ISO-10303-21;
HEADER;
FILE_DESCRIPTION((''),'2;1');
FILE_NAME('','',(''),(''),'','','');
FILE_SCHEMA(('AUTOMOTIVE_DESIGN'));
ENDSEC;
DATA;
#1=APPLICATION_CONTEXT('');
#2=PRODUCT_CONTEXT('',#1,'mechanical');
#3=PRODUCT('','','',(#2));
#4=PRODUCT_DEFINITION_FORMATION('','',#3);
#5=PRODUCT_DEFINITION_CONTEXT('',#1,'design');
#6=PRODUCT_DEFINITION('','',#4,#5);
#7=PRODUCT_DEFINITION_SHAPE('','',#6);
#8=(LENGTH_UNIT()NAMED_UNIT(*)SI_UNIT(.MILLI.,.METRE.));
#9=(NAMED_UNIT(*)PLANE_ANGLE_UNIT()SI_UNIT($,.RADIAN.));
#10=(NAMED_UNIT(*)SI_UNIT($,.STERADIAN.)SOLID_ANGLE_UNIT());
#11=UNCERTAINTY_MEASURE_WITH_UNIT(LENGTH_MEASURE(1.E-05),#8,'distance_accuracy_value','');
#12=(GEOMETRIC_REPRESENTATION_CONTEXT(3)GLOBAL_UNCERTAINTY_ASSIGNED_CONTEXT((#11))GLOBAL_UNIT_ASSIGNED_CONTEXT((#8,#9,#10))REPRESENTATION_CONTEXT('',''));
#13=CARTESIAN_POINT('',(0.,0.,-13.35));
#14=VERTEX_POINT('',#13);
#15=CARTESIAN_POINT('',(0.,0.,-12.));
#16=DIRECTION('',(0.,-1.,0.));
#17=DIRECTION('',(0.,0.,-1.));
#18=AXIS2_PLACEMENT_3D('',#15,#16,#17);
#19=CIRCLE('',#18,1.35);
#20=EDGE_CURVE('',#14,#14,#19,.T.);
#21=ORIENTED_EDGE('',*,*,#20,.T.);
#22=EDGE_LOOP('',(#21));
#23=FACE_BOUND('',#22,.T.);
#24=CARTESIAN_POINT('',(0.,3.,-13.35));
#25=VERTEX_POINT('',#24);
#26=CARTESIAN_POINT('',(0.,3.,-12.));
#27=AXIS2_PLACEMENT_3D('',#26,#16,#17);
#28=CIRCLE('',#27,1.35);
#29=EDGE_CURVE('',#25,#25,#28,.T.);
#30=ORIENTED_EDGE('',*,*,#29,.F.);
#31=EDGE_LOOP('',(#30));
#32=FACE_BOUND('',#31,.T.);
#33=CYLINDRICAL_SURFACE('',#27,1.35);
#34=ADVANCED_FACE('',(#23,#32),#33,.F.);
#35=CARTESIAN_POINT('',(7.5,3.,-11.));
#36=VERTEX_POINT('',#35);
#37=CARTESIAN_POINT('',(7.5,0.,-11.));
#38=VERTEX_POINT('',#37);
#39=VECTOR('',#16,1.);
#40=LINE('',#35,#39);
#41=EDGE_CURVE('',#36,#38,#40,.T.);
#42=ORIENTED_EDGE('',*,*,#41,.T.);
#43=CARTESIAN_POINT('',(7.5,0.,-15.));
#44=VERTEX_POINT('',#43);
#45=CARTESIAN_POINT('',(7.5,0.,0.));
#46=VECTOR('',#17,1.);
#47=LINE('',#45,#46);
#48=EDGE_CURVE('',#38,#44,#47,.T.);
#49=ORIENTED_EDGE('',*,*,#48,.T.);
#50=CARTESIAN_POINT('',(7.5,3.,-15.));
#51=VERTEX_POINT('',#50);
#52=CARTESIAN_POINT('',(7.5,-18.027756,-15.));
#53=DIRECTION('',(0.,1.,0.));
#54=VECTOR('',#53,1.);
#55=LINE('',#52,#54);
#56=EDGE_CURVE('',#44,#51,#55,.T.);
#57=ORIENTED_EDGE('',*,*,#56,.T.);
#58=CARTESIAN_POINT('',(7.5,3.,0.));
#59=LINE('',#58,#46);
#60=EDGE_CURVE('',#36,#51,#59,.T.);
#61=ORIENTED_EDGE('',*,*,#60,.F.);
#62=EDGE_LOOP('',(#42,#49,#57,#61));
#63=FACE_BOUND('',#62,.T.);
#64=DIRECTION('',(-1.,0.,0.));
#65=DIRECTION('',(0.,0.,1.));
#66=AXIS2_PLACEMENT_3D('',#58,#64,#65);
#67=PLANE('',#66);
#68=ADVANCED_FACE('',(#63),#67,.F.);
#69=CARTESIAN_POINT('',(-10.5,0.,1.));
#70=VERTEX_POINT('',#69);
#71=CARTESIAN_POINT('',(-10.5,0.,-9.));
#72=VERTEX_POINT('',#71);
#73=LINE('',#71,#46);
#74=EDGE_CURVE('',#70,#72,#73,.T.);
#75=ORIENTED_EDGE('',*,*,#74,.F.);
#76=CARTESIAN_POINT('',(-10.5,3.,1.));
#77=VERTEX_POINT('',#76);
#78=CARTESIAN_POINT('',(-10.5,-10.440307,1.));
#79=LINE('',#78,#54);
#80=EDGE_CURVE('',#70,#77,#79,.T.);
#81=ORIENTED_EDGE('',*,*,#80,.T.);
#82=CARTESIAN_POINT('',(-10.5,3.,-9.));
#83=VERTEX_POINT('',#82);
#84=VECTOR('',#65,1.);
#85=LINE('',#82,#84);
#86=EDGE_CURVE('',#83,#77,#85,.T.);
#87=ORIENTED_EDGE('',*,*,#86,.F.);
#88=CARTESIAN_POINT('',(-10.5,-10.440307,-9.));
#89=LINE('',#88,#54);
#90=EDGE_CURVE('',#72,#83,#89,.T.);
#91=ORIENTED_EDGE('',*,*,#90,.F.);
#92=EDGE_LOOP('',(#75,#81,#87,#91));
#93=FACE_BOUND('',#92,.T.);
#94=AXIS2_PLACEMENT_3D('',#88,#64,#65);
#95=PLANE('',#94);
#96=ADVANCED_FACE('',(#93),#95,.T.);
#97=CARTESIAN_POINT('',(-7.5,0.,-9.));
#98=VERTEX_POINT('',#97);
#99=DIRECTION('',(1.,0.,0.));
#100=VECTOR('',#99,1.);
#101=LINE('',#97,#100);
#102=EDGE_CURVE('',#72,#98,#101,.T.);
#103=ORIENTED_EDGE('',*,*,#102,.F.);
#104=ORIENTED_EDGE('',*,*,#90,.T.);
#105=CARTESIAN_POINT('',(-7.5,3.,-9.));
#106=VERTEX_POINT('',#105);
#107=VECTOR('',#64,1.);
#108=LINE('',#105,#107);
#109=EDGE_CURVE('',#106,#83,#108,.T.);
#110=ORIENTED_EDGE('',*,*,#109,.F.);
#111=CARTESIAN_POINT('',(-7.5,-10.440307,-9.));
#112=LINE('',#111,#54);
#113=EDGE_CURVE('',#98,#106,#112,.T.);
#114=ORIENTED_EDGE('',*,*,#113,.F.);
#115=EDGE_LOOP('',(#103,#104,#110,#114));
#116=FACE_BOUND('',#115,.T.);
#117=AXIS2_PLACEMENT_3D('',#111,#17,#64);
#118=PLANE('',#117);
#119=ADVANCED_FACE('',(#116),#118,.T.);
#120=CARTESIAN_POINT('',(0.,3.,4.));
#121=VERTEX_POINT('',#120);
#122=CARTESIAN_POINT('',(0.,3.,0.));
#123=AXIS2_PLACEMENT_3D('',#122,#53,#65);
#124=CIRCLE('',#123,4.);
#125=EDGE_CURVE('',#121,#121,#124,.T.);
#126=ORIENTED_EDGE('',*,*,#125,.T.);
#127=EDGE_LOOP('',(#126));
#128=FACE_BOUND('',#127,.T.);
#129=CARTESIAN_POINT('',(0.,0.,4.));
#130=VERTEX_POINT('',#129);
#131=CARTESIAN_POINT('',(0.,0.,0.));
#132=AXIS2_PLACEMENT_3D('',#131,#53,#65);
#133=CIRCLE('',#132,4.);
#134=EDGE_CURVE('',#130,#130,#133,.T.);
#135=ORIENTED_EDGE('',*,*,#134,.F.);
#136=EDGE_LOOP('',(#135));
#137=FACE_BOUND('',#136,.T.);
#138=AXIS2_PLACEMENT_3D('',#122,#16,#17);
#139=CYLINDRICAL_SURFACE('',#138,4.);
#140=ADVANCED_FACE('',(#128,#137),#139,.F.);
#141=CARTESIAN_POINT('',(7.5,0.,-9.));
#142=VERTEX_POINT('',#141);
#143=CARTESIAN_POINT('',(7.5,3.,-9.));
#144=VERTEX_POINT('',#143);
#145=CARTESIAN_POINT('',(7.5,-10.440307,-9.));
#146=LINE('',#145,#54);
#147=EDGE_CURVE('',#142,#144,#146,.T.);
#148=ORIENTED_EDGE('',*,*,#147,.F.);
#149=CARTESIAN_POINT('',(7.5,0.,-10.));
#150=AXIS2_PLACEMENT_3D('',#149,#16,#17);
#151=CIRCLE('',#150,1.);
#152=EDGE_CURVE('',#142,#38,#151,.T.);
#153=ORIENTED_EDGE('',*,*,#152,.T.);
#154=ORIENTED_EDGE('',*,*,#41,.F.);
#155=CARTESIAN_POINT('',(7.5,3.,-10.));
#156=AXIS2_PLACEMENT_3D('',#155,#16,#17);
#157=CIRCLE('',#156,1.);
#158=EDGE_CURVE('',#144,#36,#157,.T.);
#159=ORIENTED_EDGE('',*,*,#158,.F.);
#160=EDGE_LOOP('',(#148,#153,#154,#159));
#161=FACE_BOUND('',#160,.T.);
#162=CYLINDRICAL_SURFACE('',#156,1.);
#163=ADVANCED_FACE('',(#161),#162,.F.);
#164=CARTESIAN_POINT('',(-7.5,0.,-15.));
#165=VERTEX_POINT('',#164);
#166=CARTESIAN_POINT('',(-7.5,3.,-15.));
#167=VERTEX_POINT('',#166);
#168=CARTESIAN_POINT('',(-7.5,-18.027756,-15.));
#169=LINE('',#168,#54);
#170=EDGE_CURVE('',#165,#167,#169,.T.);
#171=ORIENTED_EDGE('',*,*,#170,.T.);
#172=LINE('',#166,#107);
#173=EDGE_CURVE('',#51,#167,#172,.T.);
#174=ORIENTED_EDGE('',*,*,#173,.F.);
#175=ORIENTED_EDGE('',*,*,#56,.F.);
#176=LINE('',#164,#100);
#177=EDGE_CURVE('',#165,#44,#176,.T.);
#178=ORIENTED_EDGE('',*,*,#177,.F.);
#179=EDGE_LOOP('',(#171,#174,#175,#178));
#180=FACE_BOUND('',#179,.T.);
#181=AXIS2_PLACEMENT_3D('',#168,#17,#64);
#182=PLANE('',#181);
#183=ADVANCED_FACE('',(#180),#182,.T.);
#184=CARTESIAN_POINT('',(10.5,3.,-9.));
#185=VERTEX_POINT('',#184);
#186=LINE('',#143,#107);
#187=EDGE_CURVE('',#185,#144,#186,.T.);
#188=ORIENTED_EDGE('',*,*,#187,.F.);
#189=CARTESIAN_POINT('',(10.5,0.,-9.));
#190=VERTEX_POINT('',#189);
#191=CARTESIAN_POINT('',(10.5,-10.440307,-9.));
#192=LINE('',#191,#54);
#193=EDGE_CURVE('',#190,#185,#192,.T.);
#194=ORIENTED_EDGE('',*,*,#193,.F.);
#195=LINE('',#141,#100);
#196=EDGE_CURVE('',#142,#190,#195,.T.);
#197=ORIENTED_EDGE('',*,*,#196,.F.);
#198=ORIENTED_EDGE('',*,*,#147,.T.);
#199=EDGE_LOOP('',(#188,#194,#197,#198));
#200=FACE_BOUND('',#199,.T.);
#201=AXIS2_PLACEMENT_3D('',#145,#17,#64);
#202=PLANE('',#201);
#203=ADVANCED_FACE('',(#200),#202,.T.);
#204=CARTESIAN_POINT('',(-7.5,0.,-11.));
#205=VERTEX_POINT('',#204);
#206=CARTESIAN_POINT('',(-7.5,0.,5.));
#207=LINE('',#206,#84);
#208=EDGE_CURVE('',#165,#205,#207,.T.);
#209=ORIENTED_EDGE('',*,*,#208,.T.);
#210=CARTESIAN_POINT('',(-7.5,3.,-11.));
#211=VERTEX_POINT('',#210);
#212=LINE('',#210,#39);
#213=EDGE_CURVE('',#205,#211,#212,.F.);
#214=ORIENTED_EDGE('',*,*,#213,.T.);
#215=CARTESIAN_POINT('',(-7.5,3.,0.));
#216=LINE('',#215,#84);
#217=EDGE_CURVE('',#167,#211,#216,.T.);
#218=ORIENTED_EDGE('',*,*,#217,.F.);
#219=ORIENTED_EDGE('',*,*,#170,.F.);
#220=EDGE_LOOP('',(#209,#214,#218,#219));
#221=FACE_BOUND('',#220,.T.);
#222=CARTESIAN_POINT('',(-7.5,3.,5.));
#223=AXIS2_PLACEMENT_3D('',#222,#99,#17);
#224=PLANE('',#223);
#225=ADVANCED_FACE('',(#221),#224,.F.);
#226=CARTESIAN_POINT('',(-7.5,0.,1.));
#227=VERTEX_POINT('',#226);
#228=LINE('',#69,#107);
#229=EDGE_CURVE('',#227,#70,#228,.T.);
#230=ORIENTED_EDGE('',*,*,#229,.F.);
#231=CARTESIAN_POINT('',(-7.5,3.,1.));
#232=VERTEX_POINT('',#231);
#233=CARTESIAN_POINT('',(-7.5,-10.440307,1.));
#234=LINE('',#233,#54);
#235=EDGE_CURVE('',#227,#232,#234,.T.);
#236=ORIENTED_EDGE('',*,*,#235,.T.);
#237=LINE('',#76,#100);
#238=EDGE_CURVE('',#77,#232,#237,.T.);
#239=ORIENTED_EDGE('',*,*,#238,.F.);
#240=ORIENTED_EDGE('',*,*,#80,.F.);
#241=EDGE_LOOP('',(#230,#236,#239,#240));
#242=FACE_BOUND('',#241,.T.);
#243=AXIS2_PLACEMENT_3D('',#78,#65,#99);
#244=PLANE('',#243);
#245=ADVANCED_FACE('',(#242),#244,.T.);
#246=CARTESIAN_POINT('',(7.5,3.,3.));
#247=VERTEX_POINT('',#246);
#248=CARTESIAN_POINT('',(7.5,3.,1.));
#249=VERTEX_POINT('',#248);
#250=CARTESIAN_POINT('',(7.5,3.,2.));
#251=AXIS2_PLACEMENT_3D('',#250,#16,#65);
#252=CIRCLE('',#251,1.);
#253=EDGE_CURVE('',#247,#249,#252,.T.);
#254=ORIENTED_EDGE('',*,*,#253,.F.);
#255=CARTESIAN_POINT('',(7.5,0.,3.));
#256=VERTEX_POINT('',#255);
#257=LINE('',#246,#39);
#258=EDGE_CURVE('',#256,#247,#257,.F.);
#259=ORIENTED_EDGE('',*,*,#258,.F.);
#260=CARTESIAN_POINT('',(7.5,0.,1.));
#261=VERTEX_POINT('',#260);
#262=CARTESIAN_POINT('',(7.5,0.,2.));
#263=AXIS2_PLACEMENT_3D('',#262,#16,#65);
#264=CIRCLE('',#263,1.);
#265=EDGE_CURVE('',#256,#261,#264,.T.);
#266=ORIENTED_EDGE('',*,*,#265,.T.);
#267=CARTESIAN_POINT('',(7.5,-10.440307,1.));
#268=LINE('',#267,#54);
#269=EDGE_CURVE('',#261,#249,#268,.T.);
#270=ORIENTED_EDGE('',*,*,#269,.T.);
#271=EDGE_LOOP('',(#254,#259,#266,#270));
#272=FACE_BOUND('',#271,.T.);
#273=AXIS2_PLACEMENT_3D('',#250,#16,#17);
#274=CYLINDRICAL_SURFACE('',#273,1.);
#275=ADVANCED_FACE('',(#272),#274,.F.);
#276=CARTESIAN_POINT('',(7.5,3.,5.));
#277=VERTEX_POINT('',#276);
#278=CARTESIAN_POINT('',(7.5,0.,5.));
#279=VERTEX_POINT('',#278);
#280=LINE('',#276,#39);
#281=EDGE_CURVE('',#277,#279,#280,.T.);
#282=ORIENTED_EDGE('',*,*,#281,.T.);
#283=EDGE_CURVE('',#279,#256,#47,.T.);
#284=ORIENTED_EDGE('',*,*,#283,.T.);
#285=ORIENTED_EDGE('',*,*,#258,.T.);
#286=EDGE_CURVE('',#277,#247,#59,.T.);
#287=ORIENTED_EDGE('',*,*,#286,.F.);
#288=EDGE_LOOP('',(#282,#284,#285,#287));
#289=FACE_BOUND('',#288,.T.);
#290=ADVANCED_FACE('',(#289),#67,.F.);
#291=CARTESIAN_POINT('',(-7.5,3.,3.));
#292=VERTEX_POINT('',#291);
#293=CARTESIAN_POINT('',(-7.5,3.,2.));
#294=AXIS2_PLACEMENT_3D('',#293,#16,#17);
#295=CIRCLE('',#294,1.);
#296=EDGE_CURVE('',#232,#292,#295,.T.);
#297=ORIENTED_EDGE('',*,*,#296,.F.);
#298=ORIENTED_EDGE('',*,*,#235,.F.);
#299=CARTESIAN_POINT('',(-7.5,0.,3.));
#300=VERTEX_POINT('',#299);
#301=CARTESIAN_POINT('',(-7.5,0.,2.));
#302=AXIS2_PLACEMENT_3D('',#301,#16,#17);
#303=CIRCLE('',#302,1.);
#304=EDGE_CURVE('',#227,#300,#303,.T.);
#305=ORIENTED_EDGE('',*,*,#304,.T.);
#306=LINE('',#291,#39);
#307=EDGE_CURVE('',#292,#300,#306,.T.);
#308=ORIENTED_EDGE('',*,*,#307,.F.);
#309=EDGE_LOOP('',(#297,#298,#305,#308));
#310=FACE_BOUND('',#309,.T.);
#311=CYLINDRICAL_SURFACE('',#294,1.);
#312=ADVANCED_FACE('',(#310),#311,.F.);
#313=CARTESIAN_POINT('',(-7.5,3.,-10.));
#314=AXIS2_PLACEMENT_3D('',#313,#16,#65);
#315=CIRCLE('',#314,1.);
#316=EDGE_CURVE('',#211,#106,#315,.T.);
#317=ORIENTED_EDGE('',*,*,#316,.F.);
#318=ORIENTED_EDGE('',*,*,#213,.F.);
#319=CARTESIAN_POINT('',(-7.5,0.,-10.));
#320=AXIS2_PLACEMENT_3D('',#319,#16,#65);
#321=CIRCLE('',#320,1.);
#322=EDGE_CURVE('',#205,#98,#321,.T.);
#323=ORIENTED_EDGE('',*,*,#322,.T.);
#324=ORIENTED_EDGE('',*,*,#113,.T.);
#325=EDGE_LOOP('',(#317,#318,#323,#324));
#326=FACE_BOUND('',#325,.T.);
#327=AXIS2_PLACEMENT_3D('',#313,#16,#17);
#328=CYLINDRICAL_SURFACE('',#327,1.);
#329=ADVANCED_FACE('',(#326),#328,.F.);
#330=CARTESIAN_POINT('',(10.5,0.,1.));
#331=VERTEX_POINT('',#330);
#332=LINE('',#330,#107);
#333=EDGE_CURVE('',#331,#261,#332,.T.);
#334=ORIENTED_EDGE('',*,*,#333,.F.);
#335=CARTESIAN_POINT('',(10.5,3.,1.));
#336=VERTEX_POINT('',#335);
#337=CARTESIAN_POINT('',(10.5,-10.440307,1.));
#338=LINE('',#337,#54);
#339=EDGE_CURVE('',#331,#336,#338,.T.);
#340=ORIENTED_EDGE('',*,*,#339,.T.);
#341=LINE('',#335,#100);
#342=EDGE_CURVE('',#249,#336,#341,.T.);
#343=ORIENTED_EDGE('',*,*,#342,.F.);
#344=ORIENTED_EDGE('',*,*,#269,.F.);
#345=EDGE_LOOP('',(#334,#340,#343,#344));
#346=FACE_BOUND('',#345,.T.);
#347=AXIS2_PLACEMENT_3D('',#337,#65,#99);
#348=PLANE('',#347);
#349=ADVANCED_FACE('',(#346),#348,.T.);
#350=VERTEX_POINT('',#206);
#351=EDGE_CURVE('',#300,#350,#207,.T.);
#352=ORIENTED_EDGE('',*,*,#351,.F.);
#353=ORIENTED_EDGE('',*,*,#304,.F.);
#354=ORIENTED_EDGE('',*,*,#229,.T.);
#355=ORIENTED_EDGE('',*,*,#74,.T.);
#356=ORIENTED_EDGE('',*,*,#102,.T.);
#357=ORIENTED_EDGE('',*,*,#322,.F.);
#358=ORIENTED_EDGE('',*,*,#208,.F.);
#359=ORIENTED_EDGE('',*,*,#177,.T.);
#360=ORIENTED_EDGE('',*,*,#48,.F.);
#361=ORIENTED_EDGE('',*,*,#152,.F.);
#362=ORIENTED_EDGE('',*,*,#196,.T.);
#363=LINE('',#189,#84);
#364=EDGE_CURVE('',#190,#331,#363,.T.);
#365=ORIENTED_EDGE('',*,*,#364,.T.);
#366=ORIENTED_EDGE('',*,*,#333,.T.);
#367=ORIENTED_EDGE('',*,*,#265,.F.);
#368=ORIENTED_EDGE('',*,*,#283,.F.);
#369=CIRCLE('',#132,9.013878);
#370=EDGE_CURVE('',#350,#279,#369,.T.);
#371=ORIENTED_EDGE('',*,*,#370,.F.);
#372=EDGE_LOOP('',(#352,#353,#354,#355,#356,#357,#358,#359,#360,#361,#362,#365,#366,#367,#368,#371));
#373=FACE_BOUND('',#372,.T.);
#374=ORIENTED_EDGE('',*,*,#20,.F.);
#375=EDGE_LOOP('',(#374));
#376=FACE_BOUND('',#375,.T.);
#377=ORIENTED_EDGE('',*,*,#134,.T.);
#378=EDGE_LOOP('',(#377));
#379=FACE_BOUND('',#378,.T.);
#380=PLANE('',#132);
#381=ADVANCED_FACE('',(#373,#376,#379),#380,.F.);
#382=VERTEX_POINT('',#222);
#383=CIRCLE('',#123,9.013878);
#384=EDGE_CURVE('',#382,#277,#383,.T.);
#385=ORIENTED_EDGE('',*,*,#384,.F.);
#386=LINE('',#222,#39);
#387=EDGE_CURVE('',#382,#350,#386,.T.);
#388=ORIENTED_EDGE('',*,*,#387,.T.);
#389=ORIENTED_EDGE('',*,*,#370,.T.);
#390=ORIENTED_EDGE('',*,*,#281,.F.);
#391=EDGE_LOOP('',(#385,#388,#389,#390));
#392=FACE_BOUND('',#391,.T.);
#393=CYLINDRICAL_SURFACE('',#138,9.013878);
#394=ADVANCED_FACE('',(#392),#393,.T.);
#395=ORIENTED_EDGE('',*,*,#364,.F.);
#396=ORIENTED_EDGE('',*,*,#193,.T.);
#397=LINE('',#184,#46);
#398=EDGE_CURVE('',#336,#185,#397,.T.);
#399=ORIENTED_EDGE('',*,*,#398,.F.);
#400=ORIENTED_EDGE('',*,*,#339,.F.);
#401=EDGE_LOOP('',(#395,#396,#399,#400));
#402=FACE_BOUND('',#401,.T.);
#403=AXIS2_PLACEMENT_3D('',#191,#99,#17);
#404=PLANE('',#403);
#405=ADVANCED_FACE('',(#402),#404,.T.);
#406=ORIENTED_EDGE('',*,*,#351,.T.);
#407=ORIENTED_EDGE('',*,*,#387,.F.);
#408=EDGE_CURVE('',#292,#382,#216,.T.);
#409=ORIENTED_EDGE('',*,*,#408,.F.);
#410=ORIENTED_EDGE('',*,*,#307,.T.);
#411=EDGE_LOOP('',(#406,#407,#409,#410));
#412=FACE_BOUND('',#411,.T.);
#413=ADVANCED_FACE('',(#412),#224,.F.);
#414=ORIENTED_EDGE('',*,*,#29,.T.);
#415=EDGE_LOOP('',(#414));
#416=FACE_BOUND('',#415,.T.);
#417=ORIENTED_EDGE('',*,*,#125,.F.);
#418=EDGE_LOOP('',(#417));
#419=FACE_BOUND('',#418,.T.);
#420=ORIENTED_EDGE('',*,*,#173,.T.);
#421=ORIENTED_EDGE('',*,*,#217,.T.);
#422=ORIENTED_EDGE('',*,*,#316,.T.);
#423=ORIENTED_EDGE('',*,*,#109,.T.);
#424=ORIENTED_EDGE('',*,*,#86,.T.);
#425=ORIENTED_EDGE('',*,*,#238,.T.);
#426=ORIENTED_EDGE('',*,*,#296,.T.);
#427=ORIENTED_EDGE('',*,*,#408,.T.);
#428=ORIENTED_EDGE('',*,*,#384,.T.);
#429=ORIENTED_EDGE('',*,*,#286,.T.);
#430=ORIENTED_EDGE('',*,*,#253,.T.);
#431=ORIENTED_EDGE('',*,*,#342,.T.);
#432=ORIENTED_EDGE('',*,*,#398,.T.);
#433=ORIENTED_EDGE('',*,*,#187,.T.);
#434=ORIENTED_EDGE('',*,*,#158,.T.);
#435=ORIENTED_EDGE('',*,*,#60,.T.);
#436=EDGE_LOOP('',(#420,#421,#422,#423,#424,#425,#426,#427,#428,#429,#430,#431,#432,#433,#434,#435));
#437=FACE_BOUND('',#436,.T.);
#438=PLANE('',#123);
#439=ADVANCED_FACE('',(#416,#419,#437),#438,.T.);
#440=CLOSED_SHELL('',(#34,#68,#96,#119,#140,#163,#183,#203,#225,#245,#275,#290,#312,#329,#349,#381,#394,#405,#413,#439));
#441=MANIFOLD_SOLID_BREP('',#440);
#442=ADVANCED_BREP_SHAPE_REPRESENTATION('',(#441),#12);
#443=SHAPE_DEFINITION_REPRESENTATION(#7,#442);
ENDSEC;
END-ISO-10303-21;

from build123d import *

# Parameters (mm, degrees)
SKETCH_1_R          = 4
EXTRUDE_1_DEPTH     = 3
SKETCH_3_W          = 15
SKETCH_3_H          = 10
EXTRUDE_3_DEPTH     = 3
SKETCH_2_W          = 3
SKETCH_2_H          = 10
EXTRUDE_4_DEPTH     = 3
SKETCH_4_R          = 1
CUT_EXTRUDE_1_DEPTH = 19.553975315
SKETCH_5_R          = 1.35
CUT_EXTRUDE_2_DEPTH = 19.553975315


with BuildPart() as part:
    # 草图1 → 凸台-拉伸1 (new body)
    with BuildSketch(Plane(origin=(0, 0, 0), x_dir=(1, 0, 0), z_dir=(0, 1, 0))):
        with BuildLine():
            Line((-7.5, 0), (-7.5, 5))
            Line((-7.5, 5), (7.5, 5))
            Line((7.5, 5), (7.5, 0))
            Line((7.5, 0), (7.5, -5))
            ThreePointArc((7.5, -5), (0, -9.013878189), (-7.5, -5))
            Line((-7.5, -5), (-7.5, 0))
        make_face()
        with Locations(Location((0, 0, 0), (0, 0, 270))):
            Circle(SKETCH_1_R, mode=Mode.SUBTRACT)
    extrude(amount=EXTRUDE_1_DEPTH)

    # 草图3 → 凸台-拉伸3 (add)
    with BuildSketch(Plane(origin=(0, 3, 0), x_dir=(1, 0, 0), z_dir=(0, 1, 0))):
        with Locations((0, 10)):
            Rectangle(SKETCH_3_W, SKETCH_3_H)
    extrude(amount=-EXTRUDE_3_DEPTH)

    # 草图2 → 凸台-拉伸4 (add)
    with BuildSketch(Plane(origin=(0, 3, 0), x_dir=(1, 0, 0), z_dir=(0, 1, 0))):
        with Locations((9, 4)):
            Rectangle(SKETCH_2_W, SKETCH_2_H)
        with Locations((-9, 4)):
            Rectangle(SKETCH_2_W, SKETCH_2_H)
    extrude(amount=-EXTRUDE_4_DEPTH)

    # 草图4 → 切除-拉伸1 (cut, through all)
    with BuildSketch(Plane.XZ):
        with Locations((7.5, -10)):
            Circle(SKETCH_4_R)
        with Locations((7.5, 2)):
            Circle(SKETCH_4_R)
        with Locations((-7.5, 2)):
            Circle(SKETCH_4_R)
        with Locations((-7.5, -10)):
            Circle(SKETCH_4_R)
    extrude(amount=-CUT_EXTRUDE_1_DEPTH, mode=Mode.SUBTRACT)

    # 草图5 → 切除-拉伸2 (cut, through all)
    with BuildSketch(Plane.XZ):
        with Locations(Location((0, -12, 0), (0, 0, 270))):
            Circle(SKETCH_5_R)
    extrude(amount=-CUT_EXTRUDE_2_DEPTH, mode=Mode.SUBTRACT)


solid = part.part
